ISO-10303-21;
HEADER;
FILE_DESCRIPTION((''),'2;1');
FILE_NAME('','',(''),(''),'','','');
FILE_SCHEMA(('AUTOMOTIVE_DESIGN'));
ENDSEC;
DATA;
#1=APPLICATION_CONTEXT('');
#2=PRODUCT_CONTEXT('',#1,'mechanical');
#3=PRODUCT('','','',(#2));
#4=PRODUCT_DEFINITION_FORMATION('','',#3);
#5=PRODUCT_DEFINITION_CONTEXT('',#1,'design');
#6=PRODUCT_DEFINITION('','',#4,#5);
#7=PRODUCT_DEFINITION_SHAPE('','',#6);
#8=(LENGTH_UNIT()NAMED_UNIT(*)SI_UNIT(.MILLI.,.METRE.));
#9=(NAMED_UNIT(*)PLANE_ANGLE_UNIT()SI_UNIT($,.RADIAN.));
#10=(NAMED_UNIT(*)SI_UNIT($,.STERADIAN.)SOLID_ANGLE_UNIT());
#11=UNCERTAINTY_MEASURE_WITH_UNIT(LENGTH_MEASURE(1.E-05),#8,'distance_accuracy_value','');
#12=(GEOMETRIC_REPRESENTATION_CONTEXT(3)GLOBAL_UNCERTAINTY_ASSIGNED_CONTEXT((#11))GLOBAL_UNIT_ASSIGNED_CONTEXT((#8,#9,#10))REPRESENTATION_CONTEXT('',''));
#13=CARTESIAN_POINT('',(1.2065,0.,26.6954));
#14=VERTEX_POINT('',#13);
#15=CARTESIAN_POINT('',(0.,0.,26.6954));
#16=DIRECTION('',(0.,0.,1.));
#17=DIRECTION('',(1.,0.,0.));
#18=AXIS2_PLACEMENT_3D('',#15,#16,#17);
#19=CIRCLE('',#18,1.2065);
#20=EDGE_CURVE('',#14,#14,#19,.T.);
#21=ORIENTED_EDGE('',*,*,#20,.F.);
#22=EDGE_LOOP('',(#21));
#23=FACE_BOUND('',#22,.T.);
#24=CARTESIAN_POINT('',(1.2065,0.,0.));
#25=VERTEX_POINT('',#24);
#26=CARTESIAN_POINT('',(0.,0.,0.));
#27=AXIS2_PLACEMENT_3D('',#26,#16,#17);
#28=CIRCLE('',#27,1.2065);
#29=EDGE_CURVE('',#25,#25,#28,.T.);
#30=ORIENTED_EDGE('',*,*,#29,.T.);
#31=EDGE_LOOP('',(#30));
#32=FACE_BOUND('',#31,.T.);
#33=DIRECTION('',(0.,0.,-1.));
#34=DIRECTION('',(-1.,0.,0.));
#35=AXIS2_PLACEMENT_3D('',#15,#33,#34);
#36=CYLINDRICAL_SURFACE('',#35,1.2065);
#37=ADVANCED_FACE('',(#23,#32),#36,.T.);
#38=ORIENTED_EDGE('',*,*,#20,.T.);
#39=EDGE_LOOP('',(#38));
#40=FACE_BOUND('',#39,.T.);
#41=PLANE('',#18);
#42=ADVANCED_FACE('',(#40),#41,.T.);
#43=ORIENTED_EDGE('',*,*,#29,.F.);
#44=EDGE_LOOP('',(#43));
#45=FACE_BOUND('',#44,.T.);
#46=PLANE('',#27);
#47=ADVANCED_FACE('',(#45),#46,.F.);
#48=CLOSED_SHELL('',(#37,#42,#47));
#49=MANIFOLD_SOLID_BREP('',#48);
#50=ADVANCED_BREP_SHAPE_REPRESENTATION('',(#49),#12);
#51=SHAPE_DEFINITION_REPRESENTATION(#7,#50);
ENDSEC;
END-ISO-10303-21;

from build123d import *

# Parameters (mm, degrees)
SKETCH1_R      = 1.2065
EXTRUDE1_DEPTH = 26.6954


with BuildPart() as part:
    # Sketch1 → Extrude1 (new body)
    with BuildSketch(Plane.XY):
        Circle(SKETCH1_R)
    extrude(amount=EXTRUDE1_DEPTH)


solid = part.part
